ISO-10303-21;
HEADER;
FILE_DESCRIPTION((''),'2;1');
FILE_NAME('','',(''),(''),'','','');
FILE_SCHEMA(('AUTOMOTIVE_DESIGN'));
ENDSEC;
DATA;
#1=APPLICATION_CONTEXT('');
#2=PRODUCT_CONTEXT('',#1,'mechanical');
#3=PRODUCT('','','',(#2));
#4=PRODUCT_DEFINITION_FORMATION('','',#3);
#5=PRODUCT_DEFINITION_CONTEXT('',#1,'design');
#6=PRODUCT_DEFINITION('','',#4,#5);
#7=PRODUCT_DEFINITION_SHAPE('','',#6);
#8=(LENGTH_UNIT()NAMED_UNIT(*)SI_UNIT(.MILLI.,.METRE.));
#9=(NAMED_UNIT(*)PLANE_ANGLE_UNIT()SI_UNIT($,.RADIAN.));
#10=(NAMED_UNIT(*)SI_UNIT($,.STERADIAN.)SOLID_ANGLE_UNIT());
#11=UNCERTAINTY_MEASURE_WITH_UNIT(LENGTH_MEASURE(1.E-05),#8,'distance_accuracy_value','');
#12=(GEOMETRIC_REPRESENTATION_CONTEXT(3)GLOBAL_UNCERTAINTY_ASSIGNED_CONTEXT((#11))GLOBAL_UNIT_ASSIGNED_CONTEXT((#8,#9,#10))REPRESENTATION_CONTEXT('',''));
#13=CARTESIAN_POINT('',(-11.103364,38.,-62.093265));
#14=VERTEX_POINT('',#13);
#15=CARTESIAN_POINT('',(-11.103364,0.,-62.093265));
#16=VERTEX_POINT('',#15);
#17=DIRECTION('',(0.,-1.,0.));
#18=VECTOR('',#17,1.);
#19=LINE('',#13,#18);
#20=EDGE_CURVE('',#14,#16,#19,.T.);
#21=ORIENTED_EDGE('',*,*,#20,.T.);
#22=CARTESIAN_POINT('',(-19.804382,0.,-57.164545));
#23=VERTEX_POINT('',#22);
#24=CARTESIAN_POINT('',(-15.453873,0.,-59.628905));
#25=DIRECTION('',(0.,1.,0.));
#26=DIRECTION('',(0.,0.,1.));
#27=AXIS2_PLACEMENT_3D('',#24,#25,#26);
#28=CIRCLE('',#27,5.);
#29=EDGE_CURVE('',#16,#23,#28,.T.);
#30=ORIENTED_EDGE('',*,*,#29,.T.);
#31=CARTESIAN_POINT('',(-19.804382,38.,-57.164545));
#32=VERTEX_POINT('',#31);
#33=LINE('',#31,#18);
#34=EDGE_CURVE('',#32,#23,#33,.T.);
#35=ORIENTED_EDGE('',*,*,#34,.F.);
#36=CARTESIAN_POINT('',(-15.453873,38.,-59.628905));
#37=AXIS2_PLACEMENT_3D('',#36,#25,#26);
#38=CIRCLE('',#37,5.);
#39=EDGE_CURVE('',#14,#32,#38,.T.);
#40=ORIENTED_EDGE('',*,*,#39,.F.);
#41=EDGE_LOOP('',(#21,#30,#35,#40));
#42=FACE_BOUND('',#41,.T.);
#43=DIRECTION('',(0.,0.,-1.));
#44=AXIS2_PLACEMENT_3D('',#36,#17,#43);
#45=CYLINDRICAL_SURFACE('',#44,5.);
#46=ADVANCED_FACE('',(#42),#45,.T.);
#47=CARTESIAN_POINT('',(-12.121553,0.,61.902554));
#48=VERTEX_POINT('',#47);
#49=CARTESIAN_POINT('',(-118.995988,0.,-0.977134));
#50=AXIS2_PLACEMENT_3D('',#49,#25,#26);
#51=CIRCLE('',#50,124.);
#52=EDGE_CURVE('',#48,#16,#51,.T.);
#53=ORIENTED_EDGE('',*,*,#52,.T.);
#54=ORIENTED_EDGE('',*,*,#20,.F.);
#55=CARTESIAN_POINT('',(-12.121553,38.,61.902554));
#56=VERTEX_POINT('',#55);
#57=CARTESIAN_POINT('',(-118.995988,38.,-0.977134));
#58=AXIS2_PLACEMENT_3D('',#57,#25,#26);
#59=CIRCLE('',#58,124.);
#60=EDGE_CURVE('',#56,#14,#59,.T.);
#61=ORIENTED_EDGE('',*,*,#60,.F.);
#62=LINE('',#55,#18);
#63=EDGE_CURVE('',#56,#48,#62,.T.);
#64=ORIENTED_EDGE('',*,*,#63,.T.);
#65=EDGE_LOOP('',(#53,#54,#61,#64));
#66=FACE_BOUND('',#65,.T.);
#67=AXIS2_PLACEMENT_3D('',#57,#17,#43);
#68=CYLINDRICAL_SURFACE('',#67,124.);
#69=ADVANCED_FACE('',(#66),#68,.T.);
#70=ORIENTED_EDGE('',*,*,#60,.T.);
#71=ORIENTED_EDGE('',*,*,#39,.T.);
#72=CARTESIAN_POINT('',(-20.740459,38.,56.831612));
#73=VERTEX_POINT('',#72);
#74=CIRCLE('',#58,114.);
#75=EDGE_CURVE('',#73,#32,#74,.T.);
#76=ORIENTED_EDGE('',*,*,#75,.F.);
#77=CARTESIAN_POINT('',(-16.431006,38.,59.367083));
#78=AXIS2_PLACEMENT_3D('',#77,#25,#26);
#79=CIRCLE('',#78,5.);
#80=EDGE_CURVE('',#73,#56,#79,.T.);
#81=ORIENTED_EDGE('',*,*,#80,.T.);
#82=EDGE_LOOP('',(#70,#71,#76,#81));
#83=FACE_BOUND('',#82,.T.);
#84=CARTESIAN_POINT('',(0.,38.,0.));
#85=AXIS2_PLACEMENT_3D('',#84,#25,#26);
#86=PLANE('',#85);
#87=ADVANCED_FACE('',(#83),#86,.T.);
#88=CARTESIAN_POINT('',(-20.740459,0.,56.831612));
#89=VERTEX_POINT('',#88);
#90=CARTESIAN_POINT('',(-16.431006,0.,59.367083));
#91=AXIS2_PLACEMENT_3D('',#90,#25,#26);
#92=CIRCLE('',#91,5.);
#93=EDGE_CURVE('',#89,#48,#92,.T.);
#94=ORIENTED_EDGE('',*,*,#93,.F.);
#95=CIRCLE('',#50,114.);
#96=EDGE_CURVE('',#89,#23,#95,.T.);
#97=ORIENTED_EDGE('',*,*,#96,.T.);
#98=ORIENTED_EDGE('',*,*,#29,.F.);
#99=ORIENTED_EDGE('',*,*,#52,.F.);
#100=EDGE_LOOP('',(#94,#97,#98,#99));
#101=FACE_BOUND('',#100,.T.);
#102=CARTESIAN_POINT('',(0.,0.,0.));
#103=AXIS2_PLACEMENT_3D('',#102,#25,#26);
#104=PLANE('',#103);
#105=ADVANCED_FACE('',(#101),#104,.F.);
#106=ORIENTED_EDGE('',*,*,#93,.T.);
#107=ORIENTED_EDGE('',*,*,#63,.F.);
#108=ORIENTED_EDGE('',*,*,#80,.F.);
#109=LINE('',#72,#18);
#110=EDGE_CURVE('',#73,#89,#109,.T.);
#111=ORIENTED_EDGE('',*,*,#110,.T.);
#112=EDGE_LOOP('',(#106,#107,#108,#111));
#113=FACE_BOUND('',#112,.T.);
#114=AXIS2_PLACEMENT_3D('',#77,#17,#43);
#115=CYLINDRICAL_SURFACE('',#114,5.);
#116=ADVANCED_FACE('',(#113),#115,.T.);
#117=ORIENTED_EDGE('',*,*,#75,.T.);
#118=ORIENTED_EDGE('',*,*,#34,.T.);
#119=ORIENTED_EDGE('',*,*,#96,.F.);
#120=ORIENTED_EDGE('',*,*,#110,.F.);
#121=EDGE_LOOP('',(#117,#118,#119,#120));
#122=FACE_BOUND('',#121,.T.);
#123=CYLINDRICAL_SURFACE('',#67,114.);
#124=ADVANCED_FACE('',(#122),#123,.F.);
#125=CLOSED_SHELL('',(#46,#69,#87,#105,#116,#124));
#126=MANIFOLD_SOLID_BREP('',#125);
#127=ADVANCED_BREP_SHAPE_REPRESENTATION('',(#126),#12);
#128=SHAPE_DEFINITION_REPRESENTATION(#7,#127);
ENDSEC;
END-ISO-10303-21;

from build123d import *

# Parameters (mm, degrees)
BOSS_EXTRUDE1_DEPTH = 38


with BuildPart() as part:
    # Sketch1 → Boss-Extrude1 (new body)
    with BuildSketch(Plane(origin=(0, 0, 0), x_dir=(1, 0, 0), z_dir=(0, 1, 0))):
        with BuildLine():
            ThreePointArc((-12.121553216, -61.902554318), (4.999831437, -0.041056031), (-11.103363648, 62.093265329))
            ThreePointArc((-11.103363648, 62.093265329), (-17.918232856, 63.979414231), (-19.804381758, 57.164545023))
            ThreePointArc((-19.804381758, 57.164545023), (-4.999831437, 0.041056031), (-20.740459264, -56.831611749))
            ThreePointArc((-20.740459264, -56.831611749), (-18.966477525, -63.676536058), (-12.121553216, -61.902554318))
        make_face()
    extrude(amount=BOSS_EXTRUDE1_DEPTH)


solid = part.part
